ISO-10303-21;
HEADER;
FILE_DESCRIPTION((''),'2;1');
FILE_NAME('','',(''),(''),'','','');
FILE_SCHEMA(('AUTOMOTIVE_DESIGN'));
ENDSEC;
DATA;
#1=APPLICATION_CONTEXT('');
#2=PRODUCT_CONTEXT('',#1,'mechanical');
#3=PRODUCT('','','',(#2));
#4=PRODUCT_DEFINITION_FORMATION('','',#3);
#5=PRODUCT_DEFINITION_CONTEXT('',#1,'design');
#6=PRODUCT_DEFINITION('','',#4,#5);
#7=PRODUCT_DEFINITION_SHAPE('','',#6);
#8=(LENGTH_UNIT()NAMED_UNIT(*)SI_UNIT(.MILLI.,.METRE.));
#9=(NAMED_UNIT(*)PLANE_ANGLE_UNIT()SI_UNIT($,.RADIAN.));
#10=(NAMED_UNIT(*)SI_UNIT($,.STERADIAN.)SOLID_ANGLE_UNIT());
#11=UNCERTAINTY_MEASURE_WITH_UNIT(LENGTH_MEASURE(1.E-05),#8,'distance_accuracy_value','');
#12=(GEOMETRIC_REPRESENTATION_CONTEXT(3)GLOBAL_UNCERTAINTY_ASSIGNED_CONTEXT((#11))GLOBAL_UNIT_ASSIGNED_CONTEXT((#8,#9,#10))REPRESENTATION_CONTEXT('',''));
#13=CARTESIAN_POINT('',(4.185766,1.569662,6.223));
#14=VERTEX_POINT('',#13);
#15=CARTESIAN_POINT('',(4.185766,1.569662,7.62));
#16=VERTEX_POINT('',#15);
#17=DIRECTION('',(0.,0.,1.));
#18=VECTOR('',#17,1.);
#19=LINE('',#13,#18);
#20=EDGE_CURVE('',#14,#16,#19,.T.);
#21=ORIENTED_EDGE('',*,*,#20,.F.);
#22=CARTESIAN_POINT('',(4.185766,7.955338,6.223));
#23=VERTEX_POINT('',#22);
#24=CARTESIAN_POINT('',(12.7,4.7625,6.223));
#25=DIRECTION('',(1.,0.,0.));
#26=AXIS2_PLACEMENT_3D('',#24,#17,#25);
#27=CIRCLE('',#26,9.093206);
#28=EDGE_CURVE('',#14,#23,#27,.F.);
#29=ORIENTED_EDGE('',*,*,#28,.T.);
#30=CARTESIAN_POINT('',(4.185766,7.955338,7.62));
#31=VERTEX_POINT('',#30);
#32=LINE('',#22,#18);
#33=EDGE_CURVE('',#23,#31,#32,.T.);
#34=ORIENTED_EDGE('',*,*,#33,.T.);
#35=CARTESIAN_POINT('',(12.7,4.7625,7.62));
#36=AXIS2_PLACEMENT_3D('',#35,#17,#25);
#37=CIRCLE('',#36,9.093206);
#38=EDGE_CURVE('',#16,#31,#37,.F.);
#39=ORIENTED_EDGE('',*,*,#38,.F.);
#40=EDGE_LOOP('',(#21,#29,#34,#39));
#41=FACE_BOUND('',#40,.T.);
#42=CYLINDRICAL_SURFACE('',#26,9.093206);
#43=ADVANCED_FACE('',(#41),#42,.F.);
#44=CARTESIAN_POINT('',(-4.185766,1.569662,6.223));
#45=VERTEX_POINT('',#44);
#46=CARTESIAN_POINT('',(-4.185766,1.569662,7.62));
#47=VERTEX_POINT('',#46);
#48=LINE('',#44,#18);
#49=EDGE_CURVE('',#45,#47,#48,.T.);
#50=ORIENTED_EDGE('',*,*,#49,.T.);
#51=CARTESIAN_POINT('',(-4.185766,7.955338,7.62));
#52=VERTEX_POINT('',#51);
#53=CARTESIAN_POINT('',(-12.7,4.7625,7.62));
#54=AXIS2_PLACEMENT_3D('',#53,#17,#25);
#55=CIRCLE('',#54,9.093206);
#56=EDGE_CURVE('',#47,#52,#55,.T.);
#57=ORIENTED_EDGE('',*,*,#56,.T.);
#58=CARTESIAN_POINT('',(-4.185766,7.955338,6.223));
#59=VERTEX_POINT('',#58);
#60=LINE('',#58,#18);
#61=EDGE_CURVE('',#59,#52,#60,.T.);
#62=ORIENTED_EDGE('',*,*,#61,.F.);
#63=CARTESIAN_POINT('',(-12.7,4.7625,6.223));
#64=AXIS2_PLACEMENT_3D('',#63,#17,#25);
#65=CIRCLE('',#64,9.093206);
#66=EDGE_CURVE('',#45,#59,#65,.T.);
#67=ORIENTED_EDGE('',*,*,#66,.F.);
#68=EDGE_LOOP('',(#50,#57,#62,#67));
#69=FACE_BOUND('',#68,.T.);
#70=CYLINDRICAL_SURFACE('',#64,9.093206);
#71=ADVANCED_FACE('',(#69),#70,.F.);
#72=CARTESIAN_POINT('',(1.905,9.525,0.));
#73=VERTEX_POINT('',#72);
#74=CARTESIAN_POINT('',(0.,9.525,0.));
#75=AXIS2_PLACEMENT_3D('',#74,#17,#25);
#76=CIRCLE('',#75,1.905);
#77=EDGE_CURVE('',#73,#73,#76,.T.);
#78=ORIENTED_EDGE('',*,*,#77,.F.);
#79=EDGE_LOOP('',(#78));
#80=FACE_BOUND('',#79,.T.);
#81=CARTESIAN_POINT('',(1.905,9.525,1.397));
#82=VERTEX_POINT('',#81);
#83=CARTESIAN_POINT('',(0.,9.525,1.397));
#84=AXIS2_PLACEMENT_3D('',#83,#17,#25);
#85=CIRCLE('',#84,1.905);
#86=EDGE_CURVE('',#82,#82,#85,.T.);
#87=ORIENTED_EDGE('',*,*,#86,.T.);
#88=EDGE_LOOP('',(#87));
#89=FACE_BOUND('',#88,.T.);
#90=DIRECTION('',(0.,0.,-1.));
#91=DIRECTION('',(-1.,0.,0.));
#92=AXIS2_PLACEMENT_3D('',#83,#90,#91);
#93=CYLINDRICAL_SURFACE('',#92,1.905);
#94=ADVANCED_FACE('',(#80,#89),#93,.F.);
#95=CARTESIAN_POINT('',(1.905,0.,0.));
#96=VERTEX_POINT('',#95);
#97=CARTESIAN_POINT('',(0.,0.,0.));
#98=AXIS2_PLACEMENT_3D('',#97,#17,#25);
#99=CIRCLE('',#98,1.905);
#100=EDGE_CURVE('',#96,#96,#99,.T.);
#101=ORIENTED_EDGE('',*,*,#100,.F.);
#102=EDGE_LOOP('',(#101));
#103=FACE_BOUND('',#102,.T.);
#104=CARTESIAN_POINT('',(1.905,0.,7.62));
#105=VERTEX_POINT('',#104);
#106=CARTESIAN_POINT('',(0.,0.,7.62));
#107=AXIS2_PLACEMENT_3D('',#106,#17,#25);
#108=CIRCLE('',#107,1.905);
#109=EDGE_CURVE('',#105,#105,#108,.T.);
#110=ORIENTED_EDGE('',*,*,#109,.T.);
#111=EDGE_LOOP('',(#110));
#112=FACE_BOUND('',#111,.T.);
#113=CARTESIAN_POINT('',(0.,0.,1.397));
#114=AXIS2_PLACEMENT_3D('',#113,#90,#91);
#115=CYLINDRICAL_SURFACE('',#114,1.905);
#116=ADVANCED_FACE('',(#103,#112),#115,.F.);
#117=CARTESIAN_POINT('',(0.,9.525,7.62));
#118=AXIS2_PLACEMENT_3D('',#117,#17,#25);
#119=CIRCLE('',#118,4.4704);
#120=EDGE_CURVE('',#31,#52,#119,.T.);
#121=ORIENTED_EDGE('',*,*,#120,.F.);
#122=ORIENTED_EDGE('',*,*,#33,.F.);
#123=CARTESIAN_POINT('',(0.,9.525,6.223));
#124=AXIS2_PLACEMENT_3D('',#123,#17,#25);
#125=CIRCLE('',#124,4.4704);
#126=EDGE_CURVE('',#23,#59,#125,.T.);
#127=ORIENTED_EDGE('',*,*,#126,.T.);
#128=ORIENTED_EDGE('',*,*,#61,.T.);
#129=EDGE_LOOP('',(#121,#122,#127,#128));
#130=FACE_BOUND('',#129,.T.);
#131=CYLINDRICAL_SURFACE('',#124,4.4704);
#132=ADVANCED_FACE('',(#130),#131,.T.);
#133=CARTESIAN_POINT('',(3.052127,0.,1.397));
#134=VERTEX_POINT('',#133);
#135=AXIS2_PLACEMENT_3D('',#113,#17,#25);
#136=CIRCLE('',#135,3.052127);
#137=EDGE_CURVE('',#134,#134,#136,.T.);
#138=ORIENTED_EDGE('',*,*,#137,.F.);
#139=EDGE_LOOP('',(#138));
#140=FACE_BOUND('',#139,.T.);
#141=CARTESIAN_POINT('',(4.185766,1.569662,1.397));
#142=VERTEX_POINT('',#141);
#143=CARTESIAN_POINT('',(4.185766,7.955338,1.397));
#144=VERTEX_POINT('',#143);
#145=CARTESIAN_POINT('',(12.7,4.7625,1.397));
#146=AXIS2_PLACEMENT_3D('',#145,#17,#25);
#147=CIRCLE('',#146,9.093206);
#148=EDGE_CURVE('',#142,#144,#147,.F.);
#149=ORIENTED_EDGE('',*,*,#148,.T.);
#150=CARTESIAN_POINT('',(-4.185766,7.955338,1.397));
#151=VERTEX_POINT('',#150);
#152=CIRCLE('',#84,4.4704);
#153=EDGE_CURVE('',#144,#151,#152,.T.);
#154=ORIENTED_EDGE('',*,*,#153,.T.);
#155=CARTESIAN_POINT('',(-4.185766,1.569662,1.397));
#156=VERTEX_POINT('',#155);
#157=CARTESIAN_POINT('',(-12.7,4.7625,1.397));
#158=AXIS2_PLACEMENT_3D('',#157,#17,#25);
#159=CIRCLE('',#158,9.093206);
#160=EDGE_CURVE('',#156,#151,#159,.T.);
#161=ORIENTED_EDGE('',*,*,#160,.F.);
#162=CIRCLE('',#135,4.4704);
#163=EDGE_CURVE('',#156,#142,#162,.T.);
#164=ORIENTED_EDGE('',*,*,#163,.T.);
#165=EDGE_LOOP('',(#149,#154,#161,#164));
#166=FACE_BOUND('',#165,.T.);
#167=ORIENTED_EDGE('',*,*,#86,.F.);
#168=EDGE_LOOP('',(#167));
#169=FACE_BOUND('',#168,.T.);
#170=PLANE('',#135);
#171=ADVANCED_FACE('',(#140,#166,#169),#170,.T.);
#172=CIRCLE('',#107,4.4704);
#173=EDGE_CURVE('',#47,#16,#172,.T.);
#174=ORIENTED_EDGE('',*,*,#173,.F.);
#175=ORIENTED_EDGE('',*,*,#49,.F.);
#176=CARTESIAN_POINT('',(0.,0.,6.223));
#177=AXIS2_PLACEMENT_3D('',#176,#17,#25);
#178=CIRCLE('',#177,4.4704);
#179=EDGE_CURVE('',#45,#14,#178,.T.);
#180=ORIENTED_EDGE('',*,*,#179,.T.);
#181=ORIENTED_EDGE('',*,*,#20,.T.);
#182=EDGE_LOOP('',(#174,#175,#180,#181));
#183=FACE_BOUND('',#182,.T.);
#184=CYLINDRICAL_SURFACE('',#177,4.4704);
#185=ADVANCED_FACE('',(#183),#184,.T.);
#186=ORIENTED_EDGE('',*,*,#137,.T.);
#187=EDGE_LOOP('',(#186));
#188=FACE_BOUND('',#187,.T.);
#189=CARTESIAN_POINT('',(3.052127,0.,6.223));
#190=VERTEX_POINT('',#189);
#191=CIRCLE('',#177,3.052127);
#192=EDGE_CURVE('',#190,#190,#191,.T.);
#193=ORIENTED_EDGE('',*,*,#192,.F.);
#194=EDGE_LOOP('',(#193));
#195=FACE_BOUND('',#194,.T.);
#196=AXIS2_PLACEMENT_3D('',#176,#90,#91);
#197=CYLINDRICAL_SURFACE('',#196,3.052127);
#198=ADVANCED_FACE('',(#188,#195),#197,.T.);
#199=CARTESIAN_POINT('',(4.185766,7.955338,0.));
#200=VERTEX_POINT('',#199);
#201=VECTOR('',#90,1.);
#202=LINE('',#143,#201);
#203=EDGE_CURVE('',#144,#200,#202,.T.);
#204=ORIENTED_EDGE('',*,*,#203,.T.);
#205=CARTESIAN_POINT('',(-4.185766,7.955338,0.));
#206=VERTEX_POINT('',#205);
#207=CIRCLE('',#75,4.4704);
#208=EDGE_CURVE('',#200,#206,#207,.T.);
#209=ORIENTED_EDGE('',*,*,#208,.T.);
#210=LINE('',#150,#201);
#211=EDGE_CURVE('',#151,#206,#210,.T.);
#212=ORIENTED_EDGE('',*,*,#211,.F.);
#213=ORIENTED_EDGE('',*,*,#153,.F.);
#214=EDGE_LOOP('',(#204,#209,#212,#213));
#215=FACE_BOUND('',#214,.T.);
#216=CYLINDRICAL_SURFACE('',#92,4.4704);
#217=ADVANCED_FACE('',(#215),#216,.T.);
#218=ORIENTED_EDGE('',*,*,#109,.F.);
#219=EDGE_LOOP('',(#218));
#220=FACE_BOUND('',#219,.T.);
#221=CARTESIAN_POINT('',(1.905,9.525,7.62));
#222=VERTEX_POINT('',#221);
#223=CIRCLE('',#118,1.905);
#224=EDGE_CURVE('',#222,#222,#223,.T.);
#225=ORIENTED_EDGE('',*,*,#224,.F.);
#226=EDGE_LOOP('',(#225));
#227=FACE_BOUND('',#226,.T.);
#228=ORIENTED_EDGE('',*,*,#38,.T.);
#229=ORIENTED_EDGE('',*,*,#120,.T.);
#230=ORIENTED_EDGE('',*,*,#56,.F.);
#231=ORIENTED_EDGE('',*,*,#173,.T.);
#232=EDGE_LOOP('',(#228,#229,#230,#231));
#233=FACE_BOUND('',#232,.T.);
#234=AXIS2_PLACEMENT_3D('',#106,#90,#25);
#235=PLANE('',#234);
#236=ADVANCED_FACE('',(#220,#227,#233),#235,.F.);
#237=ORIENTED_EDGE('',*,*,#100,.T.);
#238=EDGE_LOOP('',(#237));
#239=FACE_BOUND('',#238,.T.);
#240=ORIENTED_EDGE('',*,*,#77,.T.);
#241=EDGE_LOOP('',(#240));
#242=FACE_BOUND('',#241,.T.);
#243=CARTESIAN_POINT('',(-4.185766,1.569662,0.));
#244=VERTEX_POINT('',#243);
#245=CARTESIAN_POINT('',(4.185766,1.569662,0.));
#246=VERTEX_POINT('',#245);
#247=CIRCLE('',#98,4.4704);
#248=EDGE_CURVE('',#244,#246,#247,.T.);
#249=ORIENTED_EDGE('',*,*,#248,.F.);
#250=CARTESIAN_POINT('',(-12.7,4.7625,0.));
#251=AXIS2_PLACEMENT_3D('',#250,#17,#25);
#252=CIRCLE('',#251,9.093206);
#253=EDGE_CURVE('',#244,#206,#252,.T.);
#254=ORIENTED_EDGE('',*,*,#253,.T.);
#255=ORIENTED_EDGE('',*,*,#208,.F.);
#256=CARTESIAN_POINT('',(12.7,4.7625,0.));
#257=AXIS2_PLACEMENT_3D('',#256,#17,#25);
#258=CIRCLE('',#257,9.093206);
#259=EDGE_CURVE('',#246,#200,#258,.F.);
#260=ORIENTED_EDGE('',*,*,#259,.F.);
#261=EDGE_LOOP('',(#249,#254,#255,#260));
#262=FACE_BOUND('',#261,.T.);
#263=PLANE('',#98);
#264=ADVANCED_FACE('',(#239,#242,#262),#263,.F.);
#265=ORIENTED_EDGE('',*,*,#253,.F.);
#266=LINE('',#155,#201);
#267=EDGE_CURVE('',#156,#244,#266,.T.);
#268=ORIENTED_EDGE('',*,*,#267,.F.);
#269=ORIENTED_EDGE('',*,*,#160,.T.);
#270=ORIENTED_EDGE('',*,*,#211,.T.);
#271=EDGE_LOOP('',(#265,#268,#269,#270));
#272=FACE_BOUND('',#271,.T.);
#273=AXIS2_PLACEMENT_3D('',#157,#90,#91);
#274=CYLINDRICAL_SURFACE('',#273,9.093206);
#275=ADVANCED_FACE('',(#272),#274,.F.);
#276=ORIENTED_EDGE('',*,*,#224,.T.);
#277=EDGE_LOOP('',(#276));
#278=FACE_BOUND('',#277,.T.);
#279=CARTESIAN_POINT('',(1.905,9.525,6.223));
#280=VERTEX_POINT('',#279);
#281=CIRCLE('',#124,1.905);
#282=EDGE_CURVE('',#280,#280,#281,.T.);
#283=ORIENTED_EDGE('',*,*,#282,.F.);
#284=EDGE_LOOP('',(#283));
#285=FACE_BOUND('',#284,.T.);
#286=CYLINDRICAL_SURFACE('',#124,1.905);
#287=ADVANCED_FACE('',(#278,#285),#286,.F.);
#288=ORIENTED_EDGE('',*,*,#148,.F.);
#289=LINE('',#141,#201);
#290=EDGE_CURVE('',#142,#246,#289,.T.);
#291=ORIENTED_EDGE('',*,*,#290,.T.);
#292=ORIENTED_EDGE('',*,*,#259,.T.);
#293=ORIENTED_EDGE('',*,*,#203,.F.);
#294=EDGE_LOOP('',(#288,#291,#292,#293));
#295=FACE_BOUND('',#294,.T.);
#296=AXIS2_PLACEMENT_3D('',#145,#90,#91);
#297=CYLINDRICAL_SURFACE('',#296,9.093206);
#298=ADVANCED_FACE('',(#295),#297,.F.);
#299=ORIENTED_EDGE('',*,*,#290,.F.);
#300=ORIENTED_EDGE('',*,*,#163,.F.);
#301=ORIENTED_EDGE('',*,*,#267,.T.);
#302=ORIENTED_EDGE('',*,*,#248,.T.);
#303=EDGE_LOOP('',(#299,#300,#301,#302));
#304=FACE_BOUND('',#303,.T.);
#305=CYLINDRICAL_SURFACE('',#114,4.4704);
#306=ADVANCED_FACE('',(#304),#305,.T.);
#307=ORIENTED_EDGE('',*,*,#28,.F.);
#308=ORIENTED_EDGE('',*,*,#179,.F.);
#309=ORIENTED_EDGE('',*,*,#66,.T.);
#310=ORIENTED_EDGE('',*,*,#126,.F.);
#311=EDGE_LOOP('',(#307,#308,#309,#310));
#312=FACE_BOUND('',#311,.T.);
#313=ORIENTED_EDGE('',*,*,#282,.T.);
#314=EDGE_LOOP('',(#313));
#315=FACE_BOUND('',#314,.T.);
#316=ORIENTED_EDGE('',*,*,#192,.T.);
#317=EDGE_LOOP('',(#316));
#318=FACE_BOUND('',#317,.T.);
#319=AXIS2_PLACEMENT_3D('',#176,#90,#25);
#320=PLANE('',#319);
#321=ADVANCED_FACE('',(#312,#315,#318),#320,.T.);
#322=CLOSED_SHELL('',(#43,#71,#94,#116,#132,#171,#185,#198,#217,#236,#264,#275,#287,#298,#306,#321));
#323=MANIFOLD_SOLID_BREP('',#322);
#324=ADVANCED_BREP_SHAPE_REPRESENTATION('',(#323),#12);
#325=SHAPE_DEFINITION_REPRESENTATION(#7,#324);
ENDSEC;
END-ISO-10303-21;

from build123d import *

# Parameters (mm, degrees)
SKETCH2_R           = 4.4704
SKETCH2_R_2         = 1.905
BOSS_EXTRUDE1_DEPTH = 1.397
SKETCH3_R           = 3.052127004
SKETCH3_R_2         = 1.905
BOSS_EXTRUDE2_DEPTH = 4.826


with BuildPart() as part:
    # Sketch2 → Boss-Extrude1 (new body)
    # profile 1 of 3: a face of its own
    with BuildSketch(Plane.XY):
        Circle(SKETCH2_R)
        Circle(SKETCH2_R_2, mode=Mode.SUBTRACT)
    # profile 2 of 3: a face of its own
    with BuildSketch(Plane.XY):
        with BuildLine():
            ThreePointArc((-4.185765955, 1.569662233), (0, 4.4704), (4.185765955, 1.569662233))
            ThreePointArc((4.185765955, 1.569662233), (3.606794054, 4.7625), (4.185765955, 7.955337767))
            ThreePointArc((4.185765955, 7.955337767), (0, 5.0546), (-4.185765955, 7.955337767))
            ThreePointArc((-4.185765955, 7.955337767), (-3.606794054, 4.7625), (-4.185765955, 1.569662233))
        make_face()
    # profile 3 of 3: a face of its own
    with BuildSketch(Plane.XY):
        with Locations((0, 9.525)):
            Circle(SKETCH2_R)
        with Locations((0, 9.525)):
            Circle(SKETCH2_R_2, mode=Mode.SUBTRACT)
    boss_extrude1 = extrude(amount=BOSS_EXTRUDE1_DEPTH)

    # Sketch3 → Boss-Extrude2 (add)
    with BuildSketch(Plane.XY.offset(1.397)):
        Circle(SKETCH3_R)
        Circle(SKETCH3_R_2, mode=Mode.SUBTRACT)
    extrude(amount=BOSS_EXTRUDE2_DEPTH)

    # Mirror1: Boss-Extrude1 across plane
    add(boss_extrude1.mirror(Plane.XY.offset(3.81)))


solid = part.part
